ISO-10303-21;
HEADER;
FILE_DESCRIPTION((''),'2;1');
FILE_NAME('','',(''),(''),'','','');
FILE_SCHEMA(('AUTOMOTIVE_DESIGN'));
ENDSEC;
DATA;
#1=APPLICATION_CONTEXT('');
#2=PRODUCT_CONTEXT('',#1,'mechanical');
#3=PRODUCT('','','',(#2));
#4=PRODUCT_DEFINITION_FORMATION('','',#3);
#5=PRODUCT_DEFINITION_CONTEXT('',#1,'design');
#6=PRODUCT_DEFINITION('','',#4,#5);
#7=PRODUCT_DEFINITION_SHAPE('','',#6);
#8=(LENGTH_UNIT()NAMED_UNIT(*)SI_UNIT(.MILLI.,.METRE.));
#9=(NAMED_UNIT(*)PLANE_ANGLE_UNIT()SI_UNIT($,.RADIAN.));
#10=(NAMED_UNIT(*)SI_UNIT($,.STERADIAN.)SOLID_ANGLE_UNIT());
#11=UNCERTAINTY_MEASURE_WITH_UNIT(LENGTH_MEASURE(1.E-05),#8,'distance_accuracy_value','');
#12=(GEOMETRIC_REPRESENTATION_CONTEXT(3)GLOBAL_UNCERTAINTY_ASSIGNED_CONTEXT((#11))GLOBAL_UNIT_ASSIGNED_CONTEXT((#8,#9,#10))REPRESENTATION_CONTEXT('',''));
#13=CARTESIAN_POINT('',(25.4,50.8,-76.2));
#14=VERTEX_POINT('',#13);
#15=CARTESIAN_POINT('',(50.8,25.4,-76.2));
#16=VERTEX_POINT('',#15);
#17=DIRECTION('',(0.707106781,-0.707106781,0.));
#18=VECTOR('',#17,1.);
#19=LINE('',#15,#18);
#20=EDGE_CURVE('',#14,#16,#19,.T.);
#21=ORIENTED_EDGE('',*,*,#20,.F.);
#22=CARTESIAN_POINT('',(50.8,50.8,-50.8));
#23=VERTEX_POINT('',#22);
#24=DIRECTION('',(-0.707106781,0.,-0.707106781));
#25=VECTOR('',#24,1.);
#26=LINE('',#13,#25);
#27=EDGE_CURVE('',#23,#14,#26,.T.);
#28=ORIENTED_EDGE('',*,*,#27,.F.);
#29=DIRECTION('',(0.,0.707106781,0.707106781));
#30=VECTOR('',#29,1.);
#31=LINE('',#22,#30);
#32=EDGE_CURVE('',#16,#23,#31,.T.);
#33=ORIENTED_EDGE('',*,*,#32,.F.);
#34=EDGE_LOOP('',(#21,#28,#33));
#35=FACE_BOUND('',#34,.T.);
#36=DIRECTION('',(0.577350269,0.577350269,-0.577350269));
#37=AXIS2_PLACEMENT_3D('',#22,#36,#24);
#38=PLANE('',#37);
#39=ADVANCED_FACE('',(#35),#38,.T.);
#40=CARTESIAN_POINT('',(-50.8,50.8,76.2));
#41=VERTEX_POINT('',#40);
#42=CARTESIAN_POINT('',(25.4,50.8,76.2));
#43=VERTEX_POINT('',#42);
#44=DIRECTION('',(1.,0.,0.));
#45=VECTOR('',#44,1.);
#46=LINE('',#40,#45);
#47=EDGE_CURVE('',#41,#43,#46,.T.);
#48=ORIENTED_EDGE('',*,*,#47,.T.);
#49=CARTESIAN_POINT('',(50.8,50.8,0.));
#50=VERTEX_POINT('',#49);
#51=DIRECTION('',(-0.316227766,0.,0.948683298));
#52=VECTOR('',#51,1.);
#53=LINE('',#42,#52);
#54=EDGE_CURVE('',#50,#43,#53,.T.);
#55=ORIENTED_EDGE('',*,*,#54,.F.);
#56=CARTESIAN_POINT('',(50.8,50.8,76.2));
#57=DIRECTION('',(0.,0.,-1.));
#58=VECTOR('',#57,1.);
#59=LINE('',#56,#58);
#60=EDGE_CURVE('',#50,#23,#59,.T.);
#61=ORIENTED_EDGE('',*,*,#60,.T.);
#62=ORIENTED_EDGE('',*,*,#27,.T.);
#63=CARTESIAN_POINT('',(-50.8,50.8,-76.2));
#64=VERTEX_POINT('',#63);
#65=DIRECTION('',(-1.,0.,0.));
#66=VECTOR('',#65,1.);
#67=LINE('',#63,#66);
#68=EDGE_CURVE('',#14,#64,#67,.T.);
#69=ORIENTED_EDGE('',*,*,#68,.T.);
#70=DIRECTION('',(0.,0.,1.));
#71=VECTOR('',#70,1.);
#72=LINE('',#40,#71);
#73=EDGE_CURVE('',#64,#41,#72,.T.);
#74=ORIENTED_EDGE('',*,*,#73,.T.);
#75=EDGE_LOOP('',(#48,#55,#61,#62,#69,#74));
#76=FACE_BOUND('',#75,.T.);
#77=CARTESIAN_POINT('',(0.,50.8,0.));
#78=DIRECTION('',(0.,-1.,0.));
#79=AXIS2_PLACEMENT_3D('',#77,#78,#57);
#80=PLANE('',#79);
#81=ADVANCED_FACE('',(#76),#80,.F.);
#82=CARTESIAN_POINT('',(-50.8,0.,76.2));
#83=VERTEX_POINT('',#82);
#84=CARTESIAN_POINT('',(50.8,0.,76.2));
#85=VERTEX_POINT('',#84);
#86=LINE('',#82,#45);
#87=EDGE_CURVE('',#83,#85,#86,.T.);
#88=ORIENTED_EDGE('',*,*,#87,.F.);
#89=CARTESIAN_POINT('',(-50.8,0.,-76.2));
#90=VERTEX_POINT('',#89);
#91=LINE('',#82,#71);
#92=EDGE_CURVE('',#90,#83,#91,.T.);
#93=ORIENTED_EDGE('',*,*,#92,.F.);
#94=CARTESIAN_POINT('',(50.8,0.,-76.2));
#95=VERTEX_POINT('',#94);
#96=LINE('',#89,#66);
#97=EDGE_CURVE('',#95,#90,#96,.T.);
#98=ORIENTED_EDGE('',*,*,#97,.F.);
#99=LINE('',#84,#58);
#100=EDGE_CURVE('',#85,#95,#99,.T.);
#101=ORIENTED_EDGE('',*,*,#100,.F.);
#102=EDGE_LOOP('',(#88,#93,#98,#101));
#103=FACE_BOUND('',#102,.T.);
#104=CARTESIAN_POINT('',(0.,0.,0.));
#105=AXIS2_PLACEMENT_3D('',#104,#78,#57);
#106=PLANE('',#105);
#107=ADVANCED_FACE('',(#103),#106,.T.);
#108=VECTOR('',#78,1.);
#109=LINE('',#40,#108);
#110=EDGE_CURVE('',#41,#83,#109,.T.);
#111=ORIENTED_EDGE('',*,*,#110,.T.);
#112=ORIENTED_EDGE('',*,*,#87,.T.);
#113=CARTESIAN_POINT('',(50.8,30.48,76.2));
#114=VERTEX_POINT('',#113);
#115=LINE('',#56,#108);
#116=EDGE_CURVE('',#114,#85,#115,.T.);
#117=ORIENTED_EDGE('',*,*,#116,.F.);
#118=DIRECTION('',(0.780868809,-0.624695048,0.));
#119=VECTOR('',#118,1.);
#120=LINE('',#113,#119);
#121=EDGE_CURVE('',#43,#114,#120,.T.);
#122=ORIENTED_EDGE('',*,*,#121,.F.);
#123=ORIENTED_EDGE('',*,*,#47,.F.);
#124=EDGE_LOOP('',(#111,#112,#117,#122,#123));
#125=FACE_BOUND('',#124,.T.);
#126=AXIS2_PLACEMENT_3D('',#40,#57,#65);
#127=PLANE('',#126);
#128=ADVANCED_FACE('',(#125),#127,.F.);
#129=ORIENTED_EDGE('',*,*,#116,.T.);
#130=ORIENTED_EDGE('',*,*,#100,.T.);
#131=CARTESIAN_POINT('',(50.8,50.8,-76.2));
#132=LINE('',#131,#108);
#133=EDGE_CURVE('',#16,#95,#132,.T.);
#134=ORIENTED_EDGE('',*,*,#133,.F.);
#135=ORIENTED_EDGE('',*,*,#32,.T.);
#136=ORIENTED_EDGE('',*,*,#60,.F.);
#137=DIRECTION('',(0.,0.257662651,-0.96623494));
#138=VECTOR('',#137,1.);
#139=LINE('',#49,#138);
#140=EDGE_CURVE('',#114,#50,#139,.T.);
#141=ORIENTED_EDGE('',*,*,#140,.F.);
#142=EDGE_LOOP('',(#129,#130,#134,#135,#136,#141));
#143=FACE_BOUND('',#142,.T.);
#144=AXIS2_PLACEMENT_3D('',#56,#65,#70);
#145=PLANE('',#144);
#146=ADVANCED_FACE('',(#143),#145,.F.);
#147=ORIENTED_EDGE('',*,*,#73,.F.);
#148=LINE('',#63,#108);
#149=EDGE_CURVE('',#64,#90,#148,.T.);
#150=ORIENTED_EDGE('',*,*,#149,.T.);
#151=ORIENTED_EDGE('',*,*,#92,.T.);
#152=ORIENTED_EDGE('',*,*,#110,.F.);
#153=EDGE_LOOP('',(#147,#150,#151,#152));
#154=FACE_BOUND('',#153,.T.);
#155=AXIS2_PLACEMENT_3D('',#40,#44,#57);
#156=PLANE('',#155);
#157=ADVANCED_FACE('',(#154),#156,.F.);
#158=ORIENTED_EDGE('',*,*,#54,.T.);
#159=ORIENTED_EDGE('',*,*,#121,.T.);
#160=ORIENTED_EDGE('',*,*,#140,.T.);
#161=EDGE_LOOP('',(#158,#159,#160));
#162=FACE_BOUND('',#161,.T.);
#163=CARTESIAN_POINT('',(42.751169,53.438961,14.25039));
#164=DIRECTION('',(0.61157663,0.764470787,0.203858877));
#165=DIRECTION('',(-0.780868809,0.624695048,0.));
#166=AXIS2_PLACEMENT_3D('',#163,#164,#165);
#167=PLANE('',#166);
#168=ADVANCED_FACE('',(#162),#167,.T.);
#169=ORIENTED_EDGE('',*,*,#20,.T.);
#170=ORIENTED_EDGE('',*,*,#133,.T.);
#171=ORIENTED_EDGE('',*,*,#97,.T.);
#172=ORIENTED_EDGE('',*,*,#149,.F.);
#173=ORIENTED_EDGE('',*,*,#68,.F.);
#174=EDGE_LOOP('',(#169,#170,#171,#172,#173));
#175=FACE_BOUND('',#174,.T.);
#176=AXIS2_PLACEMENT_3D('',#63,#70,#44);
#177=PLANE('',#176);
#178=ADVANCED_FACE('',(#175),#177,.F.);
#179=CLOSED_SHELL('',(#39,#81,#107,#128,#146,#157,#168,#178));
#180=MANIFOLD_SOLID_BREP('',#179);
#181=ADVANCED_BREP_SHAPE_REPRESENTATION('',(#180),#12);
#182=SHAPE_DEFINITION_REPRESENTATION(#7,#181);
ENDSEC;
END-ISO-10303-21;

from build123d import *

# Parameters (mm, degrees)
SKETCH1_W           = 101.6
SKETCH1_H           = 152.4
BOSS_EXTRUDE2_DEPTH = 50.8
CUT_EXTRUDE1_DEPTH  = 141.672729153
CUT_EXTRUDE2_DEPTH  = 171.388379885


with BuildPart() as part:
    # Sketch1 → Boss-Extrude2 (new body)
    with BuildSketch(Plane(origin=(0, 0, 0), x_dir=(1, 0, 0), z_dir=(0, 1, 0))):
        Rectangle(SKETCH1_W, SKETCH1_H)
    extrude(amount=BOSS_EXTRUDE2_DEPTH)

    # Sketch5 → Cut-Extrude1 (cut, through all)
    with BuildSketch(Plane(origin=(42.751168831, 53.438961039, 14.25038961), x_dir=(0.7911852033335972, -0.5909267078840152, -0.15758045543573734), z_dir=(0.6115766297251511, 0.764470787156438, 0.20385887657505006))):
        Polygon((-21.9306033, -60.537839749), (10.173131569, 13.089262648), (10.173131569, -65.773544809), align=None)
    extrude(amount=CUT_EXTRUDE1_DEPTH, mode=Mode.SUBTRACT)

    # Sketch7 → Cut-Extrude2 (cut, through all)
    with BuildSketch(Plane(origin=(50.8, 50.8, -50.8), x_dir=(0.8164965809277263, -0.40824829046386296, 0.40824829046386296), z_dir=(-0.5773502691896256, -0.5773502691896258, 0.5773502691896258))):
        Polygon((0, 0), (0, -35.921024484), (-31.108519733, -17.960512242), align=None)
    extrude(amount=-CUT_EXTRUDE2_DEPTH, mode=Mode.SUBTRACT)


solid = part.part
